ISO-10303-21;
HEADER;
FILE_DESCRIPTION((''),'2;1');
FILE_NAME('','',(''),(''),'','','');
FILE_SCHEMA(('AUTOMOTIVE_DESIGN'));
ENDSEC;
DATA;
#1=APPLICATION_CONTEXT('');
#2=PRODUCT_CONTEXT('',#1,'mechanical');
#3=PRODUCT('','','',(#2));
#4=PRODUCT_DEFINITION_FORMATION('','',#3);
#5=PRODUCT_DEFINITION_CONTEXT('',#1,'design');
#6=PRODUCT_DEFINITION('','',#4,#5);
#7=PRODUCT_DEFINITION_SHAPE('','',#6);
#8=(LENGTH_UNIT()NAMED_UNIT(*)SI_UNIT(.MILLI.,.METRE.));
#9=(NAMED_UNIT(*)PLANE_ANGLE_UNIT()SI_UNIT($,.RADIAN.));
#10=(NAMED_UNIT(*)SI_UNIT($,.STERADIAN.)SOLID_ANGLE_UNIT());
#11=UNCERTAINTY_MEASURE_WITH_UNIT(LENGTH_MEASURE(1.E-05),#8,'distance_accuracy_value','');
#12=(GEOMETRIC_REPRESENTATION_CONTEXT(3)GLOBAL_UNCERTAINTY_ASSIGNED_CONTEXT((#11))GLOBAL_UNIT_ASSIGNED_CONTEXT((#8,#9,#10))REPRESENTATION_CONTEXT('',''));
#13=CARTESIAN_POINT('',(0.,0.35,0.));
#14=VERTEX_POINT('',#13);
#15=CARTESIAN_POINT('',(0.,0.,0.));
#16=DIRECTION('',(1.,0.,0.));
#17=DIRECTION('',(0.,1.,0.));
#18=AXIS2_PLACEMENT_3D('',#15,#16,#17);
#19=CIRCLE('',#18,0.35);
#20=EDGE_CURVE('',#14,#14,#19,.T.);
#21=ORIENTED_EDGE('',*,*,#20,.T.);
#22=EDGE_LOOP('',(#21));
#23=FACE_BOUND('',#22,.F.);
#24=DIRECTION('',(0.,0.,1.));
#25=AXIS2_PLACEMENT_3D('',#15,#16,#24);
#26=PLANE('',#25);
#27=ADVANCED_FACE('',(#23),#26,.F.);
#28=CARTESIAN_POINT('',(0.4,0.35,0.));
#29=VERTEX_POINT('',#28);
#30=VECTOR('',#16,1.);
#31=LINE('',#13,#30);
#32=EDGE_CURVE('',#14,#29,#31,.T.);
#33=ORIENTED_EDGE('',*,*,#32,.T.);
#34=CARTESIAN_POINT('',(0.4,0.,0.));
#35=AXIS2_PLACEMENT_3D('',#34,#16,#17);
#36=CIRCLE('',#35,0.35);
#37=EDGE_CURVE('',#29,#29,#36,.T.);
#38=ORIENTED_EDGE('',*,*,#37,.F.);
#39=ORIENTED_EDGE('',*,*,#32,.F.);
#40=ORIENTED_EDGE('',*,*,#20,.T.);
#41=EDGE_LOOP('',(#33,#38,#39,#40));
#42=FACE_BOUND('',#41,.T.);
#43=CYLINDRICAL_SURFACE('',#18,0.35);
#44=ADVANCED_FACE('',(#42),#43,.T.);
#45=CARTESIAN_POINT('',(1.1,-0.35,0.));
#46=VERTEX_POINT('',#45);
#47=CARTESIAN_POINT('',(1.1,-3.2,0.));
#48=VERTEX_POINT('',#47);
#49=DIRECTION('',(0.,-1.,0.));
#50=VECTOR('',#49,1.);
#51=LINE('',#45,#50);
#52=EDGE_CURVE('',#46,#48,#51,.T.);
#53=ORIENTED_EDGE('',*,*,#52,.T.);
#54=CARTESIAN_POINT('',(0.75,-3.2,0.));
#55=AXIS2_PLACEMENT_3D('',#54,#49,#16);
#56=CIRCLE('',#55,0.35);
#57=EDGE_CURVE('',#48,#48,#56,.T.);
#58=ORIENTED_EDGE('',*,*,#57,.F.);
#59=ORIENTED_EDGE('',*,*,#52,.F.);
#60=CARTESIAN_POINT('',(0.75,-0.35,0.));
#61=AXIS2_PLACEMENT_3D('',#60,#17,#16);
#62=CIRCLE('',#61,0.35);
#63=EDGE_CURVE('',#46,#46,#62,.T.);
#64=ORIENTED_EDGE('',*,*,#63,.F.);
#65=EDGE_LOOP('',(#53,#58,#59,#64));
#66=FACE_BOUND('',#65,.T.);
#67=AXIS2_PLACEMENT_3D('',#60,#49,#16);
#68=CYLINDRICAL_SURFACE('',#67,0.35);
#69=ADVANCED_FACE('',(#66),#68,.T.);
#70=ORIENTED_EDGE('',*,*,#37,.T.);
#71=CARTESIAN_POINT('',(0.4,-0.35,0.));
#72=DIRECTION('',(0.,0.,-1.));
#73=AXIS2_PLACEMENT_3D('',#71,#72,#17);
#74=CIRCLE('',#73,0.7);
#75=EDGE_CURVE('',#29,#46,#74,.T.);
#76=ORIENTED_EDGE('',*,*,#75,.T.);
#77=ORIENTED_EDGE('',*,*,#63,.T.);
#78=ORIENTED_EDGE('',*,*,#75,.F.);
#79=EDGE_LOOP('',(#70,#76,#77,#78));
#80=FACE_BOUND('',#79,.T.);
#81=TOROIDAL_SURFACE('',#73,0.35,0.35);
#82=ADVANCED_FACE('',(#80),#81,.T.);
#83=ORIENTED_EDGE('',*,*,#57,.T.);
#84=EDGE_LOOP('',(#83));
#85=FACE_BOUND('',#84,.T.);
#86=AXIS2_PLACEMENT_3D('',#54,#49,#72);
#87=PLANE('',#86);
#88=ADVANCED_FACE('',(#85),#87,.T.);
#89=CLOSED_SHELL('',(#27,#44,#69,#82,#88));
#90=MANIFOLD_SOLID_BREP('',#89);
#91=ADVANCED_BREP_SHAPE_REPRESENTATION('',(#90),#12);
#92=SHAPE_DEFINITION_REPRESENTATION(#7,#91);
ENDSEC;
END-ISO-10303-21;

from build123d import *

# Parameters (mm, degrees)
F1_R = 0.35


with BuildPart() as f2:
    # F2: sweep along a path in F0
    with BuildLine(Plane.XY) as f2_path:
        Line((0, 0), (0.4, 0))
        ThreePointArc((0.4, 0), (0.6474873734, -0.1025126266), (0.75, -0.35))
        Line((0.75, -0.35), (0.75, -3.2))
    # F1 (on Right) → F2 (sweep)
    with BuildSketch(Plane.YZ):
        Circle(F1_R)
    sweep(path=f2_path.line)


solid = f2.part
